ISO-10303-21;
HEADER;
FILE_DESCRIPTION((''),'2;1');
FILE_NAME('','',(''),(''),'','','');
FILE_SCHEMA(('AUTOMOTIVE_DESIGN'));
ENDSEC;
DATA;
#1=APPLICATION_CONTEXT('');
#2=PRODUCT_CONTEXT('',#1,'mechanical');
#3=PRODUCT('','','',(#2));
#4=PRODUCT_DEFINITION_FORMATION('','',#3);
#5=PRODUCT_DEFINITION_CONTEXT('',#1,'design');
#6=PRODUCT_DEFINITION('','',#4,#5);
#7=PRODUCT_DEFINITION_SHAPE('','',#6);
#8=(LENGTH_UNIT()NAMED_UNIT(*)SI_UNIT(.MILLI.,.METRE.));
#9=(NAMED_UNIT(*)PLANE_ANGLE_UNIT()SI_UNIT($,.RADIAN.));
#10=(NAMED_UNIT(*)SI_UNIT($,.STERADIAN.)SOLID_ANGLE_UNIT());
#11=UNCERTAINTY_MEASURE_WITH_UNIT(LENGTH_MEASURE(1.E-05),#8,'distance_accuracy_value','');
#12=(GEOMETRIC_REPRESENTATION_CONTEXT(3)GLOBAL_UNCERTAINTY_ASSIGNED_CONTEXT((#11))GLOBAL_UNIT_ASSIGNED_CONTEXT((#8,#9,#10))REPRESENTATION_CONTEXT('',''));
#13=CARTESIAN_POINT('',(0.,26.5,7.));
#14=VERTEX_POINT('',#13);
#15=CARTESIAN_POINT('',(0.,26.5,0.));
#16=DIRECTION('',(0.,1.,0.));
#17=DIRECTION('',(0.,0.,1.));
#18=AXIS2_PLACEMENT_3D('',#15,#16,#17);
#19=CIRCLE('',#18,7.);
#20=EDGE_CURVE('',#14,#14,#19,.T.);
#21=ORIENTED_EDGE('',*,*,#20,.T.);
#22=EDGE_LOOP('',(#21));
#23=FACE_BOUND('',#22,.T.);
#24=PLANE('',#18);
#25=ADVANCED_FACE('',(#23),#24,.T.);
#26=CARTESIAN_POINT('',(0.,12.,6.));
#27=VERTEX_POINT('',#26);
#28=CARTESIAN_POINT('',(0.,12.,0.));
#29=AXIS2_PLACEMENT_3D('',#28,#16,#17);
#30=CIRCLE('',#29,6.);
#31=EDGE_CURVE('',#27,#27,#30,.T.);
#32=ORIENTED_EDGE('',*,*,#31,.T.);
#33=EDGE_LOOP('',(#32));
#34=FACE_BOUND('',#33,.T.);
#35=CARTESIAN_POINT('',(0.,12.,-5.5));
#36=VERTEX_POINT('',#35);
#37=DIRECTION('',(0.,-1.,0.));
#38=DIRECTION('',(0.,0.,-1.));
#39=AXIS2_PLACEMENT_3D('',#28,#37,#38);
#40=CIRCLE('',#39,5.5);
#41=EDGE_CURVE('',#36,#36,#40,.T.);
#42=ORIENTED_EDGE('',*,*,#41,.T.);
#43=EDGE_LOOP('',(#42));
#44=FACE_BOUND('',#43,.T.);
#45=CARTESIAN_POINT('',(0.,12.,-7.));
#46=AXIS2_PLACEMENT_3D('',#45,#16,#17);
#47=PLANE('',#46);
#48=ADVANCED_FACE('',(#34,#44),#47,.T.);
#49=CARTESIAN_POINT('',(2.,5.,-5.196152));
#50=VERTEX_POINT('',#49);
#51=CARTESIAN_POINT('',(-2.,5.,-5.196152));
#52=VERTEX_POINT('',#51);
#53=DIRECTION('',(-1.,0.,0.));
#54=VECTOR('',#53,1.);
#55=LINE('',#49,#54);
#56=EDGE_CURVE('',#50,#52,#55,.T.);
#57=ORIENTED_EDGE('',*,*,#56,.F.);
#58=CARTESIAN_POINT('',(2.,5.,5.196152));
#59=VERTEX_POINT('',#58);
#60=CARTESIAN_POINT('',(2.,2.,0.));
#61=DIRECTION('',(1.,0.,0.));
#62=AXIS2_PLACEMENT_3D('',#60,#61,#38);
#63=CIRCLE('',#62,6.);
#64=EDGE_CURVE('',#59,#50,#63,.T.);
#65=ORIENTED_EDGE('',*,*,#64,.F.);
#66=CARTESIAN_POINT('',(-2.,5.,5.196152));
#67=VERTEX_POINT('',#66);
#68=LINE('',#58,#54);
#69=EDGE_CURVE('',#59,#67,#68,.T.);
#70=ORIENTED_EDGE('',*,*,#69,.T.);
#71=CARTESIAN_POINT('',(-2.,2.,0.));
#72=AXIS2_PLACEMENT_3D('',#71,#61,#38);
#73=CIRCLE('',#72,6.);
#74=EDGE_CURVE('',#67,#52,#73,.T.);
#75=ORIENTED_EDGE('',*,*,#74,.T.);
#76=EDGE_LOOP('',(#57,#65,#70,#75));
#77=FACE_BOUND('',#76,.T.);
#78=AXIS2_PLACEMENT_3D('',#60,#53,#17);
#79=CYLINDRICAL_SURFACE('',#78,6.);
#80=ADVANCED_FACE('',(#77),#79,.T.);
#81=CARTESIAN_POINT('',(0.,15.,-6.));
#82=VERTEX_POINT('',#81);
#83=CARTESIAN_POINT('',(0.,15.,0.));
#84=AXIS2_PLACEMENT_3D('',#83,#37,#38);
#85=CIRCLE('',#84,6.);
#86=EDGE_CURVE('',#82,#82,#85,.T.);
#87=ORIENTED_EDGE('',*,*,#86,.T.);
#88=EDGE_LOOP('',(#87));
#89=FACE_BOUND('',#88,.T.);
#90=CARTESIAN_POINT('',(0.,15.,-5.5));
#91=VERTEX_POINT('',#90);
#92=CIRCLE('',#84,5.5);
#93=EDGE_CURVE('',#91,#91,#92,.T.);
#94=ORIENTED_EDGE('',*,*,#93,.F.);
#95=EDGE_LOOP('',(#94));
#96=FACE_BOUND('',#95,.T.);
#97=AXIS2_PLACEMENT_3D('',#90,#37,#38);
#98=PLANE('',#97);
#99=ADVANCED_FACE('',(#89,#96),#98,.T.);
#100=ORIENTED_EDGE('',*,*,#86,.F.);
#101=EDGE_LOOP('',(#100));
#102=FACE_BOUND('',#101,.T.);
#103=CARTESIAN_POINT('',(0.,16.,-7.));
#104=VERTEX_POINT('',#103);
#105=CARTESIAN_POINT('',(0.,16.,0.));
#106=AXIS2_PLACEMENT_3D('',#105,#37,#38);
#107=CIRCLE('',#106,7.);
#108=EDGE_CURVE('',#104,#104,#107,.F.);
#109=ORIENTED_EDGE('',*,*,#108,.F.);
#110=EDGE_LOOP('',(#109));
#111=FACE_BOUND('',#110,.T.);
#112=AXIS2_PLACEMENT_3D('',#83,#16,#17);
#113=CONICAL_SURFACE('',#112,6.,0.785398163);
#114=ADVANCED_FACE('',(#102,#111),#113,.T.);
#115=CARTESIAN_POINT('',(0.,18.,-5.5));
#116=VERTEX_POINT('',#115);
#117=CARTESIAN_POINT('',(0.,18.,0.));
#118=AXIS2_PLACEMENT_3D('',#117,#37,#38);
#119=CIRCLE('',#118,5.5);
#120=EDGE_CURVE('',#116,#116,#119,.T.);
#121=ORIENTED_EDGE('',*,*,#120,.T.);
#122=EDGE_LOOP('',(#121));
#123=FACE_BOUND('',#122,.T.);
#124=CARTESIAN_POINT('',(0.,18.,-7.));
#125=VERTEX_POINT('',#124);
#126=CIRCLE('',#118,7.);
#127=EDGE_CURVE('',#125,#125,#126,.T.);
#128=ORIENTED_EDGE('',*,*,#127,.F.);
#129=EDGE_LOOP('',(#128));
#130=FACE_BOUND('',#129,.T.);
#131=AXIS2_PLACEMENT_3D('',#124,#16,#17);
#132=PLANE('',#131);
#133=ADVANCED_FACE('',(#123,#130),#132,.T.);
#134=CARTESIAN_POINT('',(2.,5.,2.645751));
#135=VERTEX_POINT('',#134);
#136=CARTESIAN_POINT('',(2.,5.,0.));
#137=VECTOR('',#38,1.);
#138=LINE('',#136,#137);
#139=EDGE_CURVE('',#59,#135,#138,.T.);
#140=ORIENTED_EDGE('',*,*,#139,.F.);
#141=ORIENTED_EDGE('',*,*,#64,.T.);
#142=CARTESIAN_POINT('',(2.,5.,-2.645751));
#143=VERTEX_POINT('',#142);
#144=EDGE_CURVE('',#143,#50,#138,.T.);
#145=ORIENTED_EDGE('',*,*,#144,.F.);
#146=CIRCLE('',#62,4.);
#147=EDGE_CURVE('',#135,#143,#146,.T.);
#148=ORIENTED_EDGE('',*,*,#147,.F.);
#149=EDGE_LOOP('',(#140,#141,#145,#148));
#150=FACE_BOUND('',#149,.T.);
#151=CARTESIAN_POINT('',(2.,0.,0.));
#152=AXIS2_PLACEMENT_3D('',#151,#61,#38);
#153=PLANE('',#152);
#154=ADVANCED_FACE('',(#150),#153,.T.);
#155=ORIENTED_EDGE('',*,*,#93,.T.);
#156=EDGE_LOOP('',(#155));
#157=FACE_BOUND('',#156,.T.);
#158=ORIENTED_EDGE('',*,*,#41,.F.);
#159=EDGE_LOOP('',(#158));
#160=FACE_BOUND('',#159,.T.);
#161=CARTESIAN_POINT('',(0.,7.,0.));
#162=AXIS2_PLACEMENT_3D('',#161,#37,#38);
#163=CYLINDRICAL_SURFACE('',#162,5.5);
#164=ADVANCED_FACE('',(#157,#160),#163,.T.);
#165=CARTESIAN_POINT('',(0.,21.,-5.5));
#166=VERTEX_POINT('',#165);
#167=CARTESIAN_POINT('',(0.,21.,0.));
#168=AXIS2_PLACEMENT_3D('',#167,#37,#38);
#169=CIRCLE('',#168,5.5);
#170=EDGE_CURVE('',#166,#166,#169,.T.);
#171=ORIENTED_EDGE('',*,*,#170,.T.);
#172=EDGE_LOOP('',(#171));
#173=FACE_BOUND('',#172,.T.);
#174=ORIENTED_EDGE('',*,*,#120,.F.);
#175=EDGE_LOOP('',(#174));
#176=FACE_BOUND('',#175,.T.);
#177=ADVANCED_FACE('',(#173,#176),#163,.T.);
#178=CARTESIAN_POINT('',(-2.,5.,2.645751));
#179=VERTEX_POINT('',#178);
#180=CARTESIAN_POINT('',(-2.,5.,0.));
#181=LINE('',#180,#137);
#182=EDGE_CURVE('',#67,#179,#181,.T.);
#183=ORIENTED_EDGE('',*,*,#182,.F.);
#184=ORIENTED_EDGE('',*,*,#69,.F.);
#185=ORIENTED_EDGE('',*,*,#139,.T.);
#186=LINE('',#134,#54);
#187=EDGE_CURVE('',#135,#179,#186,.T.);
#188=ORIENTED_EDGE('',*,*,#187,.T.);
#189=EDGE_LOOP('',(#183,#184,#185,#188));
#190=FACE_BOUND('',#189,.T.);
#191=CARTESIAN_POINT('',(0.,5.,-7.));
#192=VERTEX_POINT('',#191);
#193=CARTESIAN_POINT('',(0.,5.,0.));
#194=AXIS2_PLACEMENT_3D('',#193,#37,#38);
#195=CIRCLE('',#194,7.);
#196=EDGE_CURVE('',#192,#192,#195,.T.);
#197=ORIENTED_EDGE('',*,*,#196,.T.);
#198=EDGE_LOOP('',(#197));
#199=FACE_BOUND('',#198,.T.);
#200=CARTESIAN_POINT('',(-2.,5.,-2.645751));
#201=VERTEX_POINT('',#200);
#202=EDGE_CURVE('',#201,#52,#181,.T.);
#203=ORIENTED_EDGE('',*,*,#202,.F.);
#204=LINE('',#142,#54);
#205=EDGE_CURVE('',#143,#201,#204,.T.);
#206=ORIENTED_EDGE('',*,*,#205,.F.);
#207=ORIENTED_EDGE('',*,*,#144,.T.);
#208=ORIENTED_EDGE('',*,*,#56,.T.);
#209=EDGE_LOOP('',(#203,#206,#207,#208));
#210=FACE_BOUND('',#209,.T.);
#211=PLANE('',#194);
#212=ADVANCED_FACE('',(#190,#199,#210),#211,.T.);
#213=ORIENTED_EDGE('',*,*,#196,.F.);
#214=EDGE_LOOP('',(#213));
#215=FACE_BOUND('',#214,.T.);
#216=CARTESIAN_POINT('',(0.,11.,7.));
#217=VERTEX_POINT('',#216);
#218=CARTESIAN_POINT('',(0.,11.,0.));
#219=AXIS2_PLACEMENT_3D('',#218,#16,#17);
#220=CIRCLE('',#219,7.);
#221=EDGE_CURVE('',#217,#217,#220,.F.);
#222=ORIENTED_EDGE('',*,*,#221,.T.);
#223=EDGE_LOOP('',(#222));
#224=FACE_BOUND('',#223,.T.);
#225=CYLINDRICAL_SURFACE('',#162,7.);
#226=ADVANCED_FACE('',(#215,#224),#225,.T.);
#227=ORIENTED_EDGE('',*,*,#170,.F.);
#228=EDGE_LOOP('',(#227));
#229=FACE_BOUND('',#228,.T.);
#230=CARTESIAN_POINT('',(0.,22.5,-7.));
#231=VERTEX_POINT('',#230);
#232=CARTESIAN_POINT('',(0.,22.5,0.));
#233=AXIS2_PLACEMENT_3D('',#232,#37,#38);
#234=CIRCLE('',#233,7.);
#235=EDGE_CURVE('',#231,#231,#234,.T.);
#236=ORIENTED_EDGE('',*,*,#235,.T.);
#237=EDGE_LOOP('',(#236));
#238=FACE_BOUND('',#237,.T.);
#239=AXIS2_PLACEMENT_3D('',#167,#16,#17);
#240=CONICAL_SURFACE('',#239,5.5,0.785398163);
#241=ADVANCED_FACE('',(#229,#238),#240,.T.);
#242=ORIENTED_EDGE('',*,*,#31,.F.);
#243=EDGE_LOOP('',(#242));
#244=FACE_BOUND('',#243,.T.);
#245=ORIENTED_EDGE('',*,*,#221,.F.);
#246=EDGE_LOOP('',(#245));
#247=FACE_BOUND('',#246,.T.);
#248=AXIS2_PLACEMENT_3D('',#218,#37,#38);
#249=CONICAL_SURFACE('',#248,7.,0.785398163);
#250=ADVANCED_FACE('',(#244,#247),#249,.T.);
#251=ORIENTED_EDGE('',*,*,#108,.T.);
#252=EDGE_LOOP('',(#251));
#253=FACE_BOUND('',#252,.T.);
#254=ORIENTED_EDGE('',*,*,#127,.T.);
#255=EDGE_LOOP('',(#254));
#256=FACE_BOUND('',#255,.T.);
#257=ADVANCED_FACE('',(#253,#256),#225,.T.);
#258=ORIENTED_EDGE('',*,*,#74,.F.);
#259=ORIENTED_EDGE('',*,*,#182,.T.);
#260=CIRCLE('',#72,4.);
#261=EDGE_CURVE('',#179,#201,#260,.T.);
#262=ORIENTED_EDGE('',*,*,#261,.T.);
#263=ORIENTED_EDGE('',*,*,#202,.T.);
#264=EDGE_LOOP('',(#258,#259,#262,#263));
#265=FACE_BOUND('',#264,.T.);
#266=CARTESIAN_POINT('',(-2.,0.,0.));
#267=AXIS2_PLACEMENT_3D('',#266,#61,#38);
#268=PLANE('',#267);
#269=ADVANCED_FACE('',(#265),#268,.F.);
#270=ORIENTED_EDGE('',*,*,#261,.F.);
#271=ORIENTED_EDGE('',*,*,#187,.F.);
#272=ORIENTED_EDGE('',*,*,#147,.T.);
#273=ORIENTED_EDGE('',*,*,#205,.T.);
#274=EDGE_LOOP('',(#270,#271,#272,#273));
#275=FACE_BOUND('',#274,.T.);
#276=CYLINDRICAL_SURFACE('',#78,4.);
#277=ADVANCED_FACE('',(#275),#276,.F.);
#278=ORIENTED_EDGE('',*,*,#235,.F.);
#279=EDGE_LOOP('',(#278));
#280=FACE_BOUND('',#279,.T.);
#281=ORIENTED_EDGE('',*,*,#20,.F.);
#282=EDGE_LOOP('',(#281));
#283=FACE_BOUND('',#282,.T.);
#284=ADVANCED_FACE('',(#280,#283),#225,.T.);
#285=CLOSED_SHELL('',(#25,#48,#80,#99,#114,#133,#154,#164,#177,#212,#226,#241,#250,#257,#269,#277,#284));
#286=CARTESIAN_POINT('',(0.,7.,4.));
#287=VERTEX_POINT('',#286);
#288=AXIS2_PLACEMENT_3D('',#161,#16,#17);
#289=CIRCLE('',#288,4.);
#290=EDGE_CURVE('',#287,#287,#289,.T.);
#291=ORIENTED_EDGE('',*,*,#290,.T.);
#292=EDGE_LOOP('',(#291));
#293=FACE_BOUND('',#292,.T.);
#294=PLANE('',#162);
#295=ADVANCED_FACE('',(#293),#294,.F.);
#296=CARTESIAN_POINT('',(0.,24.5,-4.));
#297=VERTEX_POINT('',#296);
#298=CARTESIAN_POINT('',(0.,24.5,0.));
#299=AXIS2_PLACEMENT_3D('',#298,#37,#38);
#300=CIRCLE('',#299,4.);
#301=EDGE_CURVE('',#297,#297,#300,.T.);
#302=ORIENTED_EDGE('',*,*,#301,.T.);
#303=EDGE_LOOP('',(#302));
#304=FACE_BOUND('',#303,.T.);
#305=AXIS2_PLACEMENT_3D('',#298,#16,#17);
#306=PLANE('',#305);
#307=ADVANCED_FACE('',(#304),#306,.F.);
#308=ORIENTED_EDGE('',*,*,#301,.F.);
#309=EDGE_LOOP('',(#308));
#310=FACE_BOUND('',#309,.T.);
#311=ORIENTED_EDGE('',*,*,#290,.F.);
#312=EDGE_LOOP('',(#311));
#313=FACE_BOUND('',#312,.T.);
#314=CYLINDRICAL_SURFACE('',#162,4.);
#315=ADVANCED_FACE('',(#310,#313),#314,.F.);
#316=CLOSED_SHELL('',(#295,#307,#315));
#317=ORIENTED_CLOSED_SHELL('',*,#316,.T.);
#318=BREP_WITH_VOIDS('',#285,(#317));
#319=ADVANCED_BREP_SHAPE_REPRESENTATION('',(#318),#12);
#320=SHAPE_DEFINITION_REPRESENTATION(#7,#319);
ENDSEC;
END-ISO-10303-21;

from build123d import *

# Parameters (mm, degrees)
CROQUIS1_W              = 36.7
CROQUIS1_H              = 40
CROQUIS1_R              = 4
SALIENTE_EXTRUIR1_DEPTH = 7
CHAFL_N1_SIZE           = 1
CROQUIS3_R              = 6.55
CORTAR_EXTRUIR1_DEPTH   = 2
CROQUIS5_W              = 36.7
CROQUIS5_H              = 7
CORTAR_EXTRUIR2_DEPTH   = 51.36836805
CROQUIS6_R              = 7
SALIENTE_EXTRUIR2_DEPTH = 2
SALIENTE_EXTRUIR3_START = 2
CROQUIS7_R              = 7
SALIENTE_EXTRUIR3_DEPTH = 2
SALIENTE_EXTRUIR4_DEPTH = 2


with BuildPart() as part:
    # Croquis1 → Saliente-Extruir1 (new body)
    with BuildSketch(Plane(origin=(0, 0, 0), x_dir=(1, 0, 0), z_dir=(0, 1, 0))):
        Rectangle(CROQUIS1_W, CROQUIS1_H)
        with Locations(Location((0, 0, 0), (0, 0, 270))):
            Circle(CROQUIS1_R, mode=Mode.SUBTRACT)
    extrude(amount=SALIENTE_EXTRUIR1_DEPTH)

    # Croquis2 → Revolución1 (revolve)
    with BuildSketch(Plane(origin=(0, 0, 0), x_dir=(0, 0, -1), z_dir=(1, 0, 0))):
        Polygon((7, 7), (7, 12), (5.5, 12), (5.5, 15), (7, 15), (7, 18), (5.5, 18), (5.5, 21), (7, 22.5), (7, 24.5), (4, 24.5), (4, 7), align=None)
    revolve(axis=Axis((0, 7, 0), (0, 1, 0)))

    # Chaflán1
    chafl_n1_edges = [part.edges().sort_by_distance(p)[0] for p in [
        (0, 12, 7),
        (0, 15, 7),
    ]]
    chamfer(chafl_n1_edges, length=CHAFL_N1_SIZE)

    # Croquis3 → Cortar-Extruir1 (cut)
    with BuildSketch(Plane.XZ):
        with Locations(Location((0, 0, 0), (0, 0, 270))):
            Circle(CROQUIS3_R)
    extrude(amount=-CORTAR_EXTRUIR1_DEPTH, mode=Mode.SUBTRACT)

    # Croquis5 → Cortar-Extruir2 (cut, through all)
    with BuildSketch(Plane.XY.offset(20)):
        with Locations((0, 3.5)):
            Rectangle(CROQUIS5_W, CROQUIS5_H)
    extrude(amount=-CORTAR_EXTRUIR2_DEPTH, mode=Mode.SUBTRACT)

    # Croquis6 → Saliente-Extruir2 (add)
    with BuildSketch(Plane.XZ.offset(-7)):
        with Locations(Location((0, 0, 0), (0, 0, 270))):
            Circle(CROQUIS6_R)
    extrude(amount=SALIENTE_EXTRUIR2_DEPTH)

    # Croquis7 → Saliente-Extruir3 (add)
    with BuildSketch(Plane(origin=(0, 24.5, 0), x_dir=(1, 0, 0), z_dir=(0, 1, 0)).offset(SALIENTE_EXTRUIR3_START)):
        with Locations(Location((0, 0, 0), (0, 0, 90))):
            Circle(CROQUIS7_R)
    extrude(amount=-SALIENTE_EXTRUIR3_DEPTH)

    # Croquis8 → Saliente-Extruir4 (add, symmetric)
    with BuildSketch(Plane(origin=(0, 0, 0), x_dir=(0, 0, -1), z_dir=(1, 0, 0))):
        with BuildLine():
            Line((-2.645751311, 5), (-5.196152423, 5))
            ThreePointArc((-5.196152423, 5), (0, -4), (5.196152423, 5))
            Line((5.196152423, 5), (2.645751311, 5))
            ThreePointArc((2.645751311, 5), (0, -2), (-2.645751311, 5))
        make_face()
    extrude(amount=SALIENTE_EXTRUIR4_DEPTH, both=True)


solid = part.part
